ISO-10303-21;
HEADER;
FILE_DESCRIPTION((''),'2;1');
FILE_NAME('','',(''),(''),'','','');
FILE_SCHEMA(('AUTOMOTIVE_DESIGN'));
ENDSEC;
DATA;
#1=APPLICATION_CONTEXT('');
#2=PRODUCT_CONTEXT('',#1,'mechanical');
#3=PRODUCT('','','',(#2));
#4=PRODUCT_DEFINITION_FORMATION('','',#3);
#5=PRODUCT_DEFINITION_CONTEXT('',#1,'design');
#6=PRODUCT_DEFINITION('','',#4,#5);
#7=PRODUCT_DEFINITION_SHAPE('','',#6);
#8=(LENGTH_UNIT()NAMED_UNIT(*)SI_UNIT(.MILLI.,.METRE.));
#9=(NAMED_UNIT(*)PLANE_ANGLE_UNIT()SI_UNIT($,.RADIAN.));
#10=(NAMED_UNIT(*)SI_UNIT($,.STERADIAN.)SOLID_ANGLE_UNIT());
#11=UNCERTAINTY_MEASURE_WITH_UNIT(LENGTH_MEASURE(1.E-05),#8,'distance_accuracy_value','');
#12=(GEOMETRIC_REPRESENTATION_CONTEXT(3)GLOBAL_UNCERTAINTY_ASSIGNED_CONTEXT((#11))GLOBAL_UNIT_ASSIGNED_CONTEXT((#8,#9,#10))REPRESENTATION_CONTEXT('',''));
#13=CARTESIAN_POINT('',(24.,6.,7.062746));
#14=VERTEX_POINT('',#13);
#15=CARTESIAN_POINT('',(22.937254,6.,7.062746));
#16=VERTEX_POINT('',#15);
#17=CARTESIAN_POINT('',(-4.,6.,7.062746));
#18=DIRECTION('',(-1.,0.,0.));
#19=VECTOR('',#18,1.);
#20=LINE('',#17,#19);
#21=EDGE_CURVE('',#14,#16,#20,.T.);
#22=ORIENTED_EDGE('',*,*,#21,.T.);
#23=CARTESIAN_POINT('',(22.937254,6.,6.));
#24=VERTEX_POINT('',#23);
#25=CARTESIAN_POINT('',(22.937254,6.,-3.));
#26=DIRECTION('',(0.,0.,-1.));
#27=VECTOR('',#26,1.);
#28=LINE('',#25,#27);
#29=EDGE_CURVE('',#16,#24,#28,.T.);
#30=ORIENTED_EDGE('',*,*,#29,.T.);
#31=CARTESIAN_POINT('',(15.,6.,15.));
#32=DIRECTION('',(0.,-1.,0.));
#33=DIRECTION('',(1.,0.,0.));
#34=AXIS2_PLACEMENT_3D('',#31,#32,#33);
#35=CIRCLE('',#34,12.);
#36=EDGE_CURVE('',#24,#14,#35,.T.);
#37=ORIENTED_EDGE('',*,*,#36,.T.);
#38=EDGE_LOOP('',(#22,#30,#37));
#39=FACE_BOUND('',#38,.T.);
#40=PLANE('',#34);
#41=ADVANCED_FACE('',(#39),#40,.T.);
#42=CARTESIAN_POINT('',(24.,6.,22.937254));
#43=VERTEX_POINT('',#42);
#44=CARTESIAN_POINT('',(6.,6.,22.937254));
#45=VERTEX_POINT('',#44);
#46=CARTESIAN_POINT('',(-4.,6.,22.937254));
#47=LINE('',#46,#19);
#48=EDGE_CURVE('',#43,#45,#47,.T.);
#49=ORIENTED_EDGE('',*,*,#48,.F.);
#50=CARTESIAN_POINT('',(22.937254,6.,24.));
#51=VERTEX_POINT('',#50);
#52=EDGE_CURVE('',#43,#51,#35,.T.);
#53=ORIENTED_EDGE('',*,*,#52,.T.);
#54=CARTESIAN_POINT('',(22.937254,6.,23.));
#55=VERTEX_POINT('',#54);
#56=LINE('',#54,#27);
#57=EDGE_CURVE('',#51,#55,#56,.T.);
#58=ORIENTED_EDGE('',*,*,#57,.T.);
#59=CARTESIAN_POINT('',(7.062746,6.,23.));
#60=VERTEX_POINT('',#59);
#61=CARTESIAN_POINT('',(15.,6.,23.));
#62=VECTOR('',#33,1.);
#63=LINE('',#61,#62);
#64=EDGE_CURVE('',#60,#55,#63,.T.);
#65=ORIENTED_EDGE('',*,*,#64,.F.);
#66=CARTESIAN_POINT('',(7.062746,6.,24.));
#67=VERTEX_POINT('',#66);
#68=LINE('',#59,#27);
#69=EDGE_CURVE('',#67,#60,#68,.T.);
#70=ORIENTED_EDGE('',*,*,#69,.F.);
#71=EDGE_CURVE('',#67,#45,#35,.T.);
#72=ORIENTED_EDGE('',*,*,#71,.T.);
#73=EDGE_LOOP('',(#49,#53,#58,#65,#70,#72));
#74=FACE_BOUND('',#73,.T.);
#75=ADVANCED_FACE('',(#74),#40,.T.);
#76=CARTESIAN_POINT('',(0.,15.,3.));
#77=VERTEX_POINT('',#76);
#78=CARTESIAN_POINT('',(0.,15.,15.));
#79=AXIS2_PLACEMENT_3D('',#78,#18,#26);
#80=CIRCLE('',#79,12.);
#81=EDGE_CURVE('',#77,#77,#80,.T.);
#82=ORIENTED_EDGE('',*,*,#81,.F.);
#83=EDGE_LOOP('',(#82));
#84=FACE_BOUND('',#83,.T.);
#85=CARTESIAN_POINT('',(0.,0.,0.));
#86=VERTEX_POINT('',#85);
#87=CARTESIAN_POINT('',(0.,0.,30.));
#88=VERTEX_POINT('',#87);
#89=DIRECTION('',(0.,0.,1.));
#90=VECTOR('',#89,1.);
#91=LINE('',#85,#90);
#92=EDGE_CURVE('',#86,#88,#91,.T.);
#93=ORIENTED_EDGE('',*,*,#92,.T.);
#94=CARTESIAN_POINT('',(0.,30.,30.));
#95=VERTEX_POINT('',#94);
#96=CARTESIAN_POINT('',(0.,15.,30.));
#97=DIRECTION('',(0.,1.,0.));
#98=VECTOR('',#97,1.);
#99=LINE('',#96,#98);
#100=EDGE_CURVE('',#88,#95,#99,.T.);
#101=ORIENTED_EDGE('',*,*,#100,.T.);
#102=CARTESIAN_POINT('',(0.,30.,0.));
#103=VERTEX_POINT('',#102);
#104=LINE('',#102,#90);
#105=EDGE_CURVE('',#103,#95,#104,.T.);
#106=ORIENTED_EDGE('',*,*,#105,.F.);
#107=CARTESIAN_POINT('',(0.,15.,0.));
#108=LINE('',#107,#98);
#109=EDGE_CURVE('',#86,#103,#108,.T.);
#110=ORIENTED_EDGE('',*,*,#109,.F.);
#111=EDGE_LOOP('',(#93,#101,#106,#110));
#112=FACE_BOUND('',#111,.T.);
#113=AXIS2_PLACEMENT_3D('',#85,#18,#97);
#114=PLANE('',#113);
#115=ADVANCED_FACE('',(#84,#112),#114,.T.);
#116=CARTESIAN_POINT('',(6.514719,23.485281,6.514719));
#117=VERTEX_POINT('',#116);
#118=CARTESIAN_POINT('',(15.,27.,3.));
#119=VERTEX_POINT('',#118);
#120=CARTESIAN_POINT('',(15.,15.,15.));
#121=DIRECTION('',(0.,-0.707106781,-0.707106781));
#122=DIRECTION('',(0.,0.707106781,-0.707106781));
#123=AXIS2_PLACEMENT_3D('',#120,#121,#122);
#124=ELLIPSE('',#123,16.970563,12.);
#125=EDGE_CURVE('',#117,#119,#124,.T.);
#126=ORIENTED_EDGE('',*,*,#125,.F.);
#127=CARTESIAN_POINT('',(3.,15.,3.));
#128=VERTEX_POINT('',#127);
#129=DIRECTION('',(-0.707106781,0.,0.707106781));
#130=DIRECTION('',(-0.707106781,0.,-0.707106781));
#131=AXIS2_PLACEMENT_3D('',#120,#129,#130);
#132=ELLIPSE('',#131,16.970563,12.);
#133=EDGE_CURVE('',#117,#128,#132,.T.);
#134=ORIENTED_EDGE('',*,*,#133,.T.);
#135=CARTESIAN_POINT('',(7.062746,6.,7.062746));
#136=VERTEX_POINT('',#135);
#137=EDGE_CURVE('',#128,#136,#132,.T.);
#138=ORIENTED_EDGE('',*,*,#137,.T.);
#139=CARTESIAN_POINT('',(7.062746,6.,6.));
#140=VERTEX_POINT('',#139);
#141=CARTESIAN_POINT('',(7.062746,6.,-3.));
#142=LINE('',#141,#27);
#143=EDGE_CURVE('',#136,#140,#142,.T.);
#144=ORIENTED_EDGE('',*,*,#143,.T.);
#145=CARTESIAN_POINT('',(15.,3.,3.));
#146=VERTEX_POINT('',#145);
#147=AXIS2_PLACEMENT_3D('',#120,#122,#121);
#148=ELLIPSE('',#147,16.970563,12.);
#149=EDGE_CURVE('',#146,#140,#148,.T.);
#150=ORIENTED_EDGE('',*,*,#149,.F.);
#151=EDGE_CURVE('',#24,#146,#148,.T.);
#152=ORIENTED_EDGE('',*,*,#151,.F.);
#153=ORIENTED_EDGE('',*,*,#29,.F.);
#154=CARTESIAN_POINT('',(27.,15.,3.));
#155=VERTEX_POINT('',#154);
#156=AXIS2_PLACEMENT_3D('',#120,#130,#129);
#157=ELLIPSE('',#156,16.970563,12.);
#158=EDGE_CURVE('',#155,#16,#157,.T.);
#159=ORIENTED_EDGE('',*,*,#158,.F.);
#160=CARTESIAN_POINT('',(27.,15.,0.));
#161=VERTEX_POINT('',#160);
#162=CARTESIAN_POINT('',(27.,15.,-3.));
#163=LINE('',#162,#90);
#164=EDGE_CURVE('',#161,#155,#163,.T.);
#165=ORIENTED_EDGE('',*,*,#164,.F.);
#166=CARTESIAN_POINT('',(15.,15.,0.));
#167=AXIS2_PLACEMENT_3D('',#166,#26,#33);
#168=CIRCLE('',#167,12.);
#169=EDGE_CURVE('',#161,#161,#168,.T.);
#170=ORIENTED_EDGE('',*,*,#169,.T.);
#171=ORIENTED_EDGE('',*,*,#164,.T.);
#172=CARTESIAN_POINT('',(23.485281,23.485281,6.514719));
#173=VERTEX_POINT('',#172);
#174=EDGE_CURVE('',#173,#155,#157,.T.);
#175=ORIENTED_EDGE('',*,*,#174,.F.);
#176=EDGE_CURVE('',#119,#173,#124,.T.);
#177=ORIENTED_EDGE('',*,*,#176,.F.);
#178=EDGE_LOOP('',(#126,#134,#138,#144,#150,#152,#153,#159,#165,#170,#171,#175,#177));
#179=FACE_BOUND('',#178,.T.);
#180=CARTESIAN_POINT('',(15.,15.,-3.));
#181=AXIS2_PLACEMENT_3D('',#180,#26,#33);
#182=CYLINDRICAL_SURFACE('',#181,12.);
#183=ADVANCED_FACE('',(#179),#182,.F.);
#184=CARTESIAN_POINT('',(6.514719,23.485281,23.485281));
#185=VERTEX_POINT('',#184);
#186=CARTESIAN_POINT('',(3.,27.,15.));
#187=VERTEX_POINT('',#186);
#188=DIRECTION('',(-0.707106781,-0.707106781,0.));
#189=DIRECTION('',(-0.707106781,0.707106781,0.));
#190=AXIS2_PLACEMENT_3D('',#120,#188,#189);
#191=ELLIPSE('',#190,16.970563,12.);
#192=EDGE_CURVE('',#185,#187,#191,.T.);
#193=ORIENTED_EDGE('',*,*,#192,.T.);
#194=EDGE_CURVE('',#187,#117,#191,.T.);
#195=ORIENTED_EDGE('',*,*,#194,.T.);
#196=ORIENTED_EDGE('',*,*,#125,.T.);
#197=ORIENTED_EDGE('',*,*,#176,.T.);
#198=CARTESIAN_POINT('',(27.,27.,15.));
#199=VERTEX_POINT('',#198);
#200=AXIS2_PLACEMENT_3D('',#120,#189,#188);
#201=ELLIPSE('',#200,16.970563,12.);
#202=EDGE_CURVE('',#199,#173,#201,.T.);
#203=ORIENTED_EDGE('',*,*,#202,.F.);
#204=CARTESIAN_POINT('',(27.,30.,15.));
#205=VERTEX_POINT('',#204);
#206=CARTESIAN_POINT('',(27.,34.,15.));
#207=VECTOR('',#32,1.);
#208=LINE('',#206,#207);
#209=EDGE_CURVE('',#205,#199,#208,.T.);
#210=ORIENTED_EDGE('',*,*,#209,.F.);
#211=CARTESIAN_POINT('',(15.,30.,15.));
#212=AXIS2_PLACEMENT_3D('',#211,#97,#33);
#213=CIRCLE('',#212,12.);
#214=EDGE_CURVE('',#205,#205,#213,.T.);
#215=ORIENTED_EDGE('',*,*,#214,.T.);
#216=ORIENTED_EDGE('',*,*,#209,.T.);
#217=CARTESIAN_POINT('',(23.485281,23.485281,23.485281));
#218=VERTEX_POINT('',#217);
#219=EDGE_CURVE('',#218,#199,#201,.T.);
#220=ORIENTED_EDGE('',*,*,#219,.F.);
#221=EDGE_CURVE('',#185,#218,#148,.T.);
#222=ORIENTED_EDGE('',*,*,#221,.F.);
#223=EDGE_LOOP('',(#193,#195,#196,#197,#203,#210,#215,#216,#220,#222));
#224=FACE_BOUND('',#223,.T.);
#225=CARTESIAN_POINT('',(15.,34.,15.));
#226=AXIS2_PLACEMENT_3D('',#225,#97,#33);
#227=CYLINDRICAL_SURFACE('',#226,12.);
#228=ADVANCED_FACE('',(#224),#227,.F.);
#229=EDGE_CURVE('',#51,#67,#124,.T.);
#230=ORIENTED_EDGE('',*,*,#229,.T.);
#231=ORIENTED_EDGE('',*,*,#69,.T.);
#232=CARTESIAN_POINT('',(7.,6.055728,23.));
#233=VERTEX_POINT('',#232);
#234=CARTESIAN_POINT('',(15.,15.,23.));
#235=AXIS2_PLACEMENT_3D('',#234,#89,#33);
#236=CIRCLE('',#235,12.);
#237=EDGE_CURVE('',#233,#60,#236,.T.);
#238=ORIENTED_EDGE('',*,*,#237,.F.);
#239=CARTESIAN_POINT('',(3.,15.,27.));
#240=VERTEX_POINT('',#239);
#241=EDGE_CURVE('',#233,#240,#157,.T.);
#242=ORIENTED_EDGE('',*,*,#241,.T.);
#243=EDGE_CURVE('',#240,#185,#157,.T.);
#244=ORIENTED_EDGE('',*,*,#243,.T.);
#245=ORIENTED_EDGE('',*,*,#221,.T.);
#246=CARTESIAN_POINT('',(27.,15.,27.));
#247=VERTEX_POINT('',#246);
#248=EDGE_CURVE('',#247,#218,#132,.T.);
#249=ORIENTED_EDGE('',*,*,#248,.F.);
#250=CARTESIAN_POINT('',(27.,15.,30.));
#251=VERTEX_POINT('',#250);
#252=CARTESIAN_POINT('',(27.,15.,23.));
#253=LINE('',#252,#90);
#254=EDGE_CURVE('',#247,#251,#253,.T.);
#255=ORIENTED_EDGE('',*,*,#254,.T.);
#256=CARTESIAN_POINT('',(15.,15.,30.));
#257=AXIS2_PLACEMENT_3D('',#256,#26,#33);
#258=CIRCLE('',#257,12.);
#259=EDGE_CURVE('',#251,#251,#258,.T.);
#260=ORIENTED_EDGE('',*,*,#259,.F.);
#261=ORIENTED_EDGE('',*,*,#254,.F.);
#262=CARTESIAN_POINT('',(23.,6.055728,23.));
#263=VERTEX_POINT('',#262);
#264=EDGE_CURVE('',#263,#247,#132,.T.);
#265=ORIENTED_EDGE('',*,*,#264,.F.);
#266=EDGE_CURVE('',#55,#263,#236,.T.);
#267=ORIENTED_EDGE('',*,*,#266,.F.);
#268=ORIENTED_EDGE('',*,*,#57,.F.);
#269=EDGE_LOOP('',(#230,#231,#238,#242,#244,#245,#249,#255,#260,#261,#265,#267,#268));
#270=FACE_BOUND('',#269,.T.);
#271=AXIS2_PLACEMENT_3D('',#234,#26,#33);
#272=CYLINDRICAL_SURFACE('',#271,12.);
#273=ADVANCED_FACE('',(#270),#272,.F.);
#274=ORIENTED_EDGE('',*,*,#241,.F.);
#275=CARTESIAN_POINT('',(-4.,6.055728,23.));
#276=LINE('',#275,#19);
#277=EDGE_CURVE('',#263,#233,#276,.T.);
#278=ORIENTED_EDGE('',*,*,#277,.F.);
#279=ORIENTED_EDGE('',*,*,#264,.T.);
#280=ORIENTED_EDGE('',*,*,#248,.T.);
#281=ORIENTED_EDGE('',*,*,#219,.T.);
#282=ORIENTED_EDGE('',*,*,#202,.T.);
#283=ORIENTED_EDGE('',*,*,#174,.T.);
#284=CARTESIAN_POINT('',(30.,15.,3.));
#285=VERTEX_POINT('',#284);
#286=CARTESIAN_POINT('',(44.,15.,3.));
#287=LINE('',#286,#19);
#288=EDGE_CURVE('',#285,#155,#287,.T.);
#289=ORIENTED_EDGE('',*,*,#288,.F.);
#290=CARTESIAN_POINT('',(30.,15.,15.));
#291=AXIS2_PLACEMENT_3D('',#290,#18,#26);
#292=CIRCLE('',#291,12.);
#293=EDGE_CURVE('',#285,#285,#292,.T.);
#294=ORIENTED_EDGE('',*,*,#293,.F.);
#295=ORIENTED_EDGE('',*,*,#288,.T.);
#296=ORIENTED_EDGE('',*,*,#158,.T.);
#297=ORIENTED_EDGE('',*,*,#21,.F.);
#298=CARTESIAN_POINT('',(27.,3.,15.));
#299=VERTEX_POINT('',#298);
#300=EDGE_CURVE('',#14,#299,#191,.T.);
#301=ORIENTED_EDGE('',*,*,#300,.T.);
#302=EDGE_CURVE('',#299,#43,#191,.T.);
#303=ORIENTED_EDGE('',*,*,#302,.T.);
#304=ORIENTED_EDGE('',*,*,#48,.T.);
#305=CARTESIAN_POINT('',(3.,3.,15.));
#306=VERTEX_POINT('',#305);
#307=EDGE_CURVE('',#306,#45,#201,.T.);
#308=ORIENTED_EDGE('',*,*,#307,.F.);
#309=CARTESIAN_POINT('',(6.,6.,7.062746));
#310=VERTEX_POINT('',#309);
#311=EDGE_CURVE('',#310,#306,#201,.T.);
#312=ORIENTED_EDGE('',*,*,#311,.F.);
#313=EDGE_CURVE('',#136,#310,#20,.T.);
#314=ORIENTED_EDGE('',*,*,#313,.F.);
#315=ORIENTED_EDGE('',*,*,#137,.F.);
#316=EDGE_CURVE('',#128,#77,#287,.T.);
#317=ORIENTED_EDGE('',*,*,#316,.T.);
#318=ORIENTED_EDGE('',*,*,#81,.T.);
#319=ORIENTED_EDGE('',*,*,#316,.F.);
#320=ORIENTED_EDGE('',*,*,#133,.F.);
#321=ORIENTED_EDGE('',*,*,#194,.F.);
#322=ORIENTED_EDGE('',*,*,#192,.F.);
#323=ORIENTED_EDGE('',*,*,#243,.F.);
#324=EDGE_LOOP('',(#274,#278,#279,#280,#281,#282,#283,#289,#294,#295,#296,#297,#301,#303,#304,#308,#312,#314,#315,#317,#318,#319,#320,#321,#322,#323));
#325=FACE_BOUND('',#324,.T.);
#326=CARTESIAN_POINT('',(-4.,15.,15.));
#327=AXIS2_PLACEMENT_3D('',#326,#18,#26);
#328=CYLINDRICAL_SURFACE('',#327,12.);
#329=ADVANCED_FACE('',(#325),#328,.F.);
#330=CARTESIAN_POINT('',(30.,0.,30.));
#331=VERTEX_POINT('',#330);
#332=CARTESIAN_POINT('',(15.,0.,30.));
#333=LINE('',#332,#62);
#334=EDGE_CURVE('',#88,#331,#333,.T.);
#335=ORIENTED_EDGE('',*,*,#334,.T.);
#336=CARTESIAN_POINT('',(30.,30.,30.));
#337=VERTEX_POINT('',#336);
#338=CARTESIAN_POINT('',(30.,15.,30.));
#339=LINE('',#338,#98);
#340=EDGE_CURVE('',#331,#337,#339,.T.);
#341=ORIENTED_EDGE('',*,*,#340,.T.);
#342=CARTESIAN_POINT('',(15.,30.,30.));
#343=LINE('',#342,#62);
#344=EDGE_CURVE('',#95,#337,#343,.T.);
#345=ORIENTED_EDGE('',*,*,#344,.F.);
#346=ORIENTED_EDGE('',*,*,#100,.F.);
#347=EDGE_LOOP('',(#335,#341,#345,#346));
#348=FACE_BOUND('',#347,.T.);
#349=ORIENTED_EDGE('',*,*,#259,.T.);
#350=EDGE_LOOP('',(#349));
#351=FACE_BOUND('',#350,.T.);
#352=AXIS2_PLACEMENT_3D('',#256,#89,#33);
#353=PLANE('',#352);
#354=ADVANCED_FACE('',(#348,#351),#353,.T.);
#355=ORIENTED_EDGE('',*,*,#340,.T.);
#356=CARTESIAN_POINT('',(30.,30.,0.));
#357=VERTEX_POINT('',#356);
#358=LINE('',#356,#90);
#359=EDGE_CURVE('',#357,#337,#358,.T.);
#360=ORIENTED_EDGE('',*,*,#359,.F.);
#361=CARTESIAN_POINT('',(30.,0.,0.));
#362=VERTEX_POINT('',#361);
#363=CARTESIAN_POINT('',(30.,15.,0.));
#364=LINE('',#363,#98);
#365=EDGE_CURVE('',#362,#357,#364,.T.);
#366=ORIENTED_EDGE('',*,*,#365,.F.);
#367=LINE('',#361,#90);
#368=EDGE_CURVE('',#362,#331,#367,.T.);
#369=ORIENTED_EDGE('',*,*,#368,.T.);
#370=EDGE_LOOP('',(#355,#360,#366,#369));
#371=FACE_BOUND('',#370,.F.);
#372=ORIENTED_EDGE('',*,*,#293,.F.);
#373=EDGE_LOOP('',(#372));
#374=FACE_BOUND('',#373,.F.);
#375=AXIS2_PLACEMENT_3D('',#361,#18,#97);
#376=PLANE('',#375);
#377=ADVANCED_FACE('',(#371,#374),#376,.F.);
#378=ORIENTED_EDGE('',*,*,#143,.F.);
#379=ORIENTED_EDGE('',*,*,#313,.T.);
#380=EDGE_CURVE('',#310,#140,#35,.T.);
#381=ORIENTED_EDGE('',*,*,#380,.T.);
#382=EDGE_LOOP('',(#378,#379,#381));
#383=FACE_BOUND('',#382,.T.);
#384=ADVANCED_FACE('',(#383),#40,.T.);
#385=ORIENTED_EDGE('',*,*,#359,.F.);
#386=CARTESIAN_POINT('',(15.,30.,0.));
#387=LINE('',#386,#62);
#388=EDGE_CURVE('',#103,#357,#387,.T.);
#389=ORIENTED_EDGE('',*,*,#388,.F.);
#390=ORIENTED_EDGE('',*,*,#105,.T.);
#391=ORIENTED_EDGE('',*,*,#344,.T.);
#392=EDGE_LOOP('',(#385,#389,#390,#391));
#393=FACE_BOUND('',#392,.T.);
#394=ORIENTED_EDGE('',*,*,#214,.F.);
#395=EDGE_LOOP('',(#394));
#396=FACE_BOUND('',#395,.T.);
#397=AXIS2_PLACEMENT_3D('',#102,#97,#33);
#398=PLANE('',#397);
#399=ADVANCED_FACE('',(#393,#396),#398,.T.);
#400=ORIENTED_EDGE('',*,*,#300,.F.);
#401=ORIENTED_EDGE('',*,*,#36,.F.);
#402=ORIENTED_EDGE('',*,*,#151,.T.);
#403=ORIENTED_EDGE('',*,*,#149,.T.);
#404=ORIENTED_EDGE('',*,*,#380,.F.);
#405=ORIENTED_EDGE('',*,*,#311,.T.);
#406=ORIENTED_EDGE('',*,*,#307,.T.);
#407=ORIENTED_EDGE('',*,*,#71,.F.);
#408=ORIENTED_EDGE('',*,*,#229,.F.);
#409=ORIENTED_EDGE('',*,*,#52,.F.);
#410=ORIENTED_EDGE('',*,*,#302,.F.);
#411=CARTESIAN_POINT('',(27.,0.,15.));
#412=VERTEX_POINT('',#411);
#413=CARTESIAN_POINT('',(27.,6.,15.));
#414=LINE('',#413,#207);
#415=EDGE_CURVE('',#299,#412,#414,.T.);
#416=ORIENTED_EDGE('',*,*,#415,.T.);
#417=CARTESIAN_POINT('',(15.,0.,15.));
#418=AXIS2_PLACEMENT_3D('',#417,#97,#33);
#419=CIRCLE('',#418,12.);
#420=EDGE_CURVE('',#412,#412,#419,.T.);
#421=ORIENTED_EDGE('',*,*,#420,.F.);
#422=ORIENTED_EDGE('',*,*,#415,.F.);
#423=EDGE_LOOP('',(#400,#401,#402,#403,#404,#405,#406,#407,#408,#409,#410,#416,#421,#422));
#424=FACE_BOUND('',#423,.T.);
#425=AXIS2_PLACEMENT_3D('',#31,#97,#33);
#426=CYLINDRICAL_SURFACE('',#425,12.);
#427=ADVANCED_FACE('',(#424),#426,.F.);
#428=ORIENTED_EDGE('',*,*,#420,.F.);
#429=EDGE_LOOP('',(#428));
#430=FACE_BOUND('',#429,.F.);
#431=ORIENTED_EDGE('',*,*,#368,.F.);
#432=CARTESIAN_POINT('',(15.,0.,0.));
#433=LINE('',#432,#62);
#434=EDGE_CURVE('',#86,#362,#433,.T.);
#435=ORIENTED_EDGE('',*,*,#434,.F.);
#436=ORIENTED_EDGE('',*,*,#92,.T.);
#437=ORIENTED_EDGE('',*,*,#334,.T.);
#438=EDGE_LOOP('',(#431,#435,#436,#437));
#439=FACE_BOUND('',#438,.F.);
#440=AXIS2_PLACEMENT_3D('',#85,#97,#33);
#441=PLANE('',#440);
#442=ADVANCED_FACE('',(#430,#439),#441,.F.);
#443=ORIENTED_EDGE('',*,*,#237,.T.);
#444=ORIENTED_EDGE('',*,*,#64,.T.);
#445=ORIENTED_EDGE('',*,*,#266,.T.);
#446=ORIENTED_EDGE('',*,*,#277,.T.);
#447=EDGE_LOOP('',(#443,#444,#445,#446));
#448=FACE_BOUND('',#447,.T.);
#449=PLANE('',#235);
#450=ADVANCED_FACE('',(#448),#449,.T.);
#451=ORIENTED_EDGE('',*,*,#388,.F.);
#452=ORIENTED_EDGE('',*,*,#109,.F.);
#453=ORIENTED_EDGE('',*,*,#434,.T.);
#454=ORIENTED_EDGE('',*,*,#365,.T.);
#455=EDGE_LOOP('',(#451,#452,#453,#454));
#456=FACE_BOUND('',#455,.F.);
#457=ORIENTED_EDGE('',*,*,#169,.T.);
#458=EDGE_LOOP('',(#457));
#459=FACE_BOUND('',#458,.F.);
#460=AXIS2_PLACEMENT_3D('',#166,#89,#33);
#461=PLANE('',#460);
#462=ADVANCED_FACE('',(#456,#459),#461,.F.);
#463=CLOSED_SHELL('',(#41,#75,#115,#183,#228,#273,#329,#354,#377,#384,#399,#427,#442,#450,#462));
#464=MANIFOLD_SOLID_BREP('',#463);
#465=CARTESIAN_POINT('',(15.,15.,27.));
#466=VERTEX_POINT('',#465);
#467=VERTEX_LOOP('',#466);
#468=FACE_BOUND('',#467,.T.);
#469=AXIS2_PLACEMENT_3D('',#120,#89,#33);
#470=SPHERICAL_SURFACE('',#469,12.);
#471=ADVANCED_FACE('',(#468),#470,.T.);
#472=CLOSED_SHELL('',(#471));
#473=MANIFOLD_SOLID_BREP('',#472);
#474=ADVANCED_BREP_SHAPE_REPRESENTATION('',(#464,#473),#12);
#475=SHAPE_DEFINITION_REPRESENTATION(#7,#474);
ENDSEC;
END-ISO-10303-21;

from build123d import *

# Parameters (mm, degrees)
CYLINDER001_R     = 12
CYLINDER001_DEPTH = 30
CYLINDER002_R     = 12
CYLINDER002_DEPTH = 20
CYLINDER003_R     = 12
CYLINDER003_DEPTH = 20
CYLINDER004_R     = 12
CYLINDER004_DEPTH = 20
CYLINDER005_R     = 12
CYLINDER005_DEPTH = 20
CYLINDER_R        = 12
CYLINDER_DEPTH    = 20
BOX_W             = 30
BOX_H             = 30
BOX_DEPTH         = 30


with BuildPart() as cylinder001:
    # Cylinder001 → Cylinder001 (new body)
    with BuildSketch(Plane(origin=(-4, 15, 15), x_dir=(0, 0, -1), z_dir=(1, 0, 0))):
        Circle(CYLINDER001_R)
    extrude(amount=CYLINDER001_DEPTH)


with BuildPart() as cylinder002:
    # Cylinder002 → Cylinder002 (new body)
    with BuildSketch(Plane(origin=(15, 15, 23), x_dir=(1, 0, 0), z_dir=(0, 0, 1))):
        Circle(CYLINDER002_R)
    extrude(amount=CYLINDER002_DEPTH)


with BuildPart() as cylinder003:
    # Cylinder003 → Cylinder003 (new body)
    with BuildSketch(Plane(origin=(15, 15, -3), x_dir=(1, 0, 0), z_dir=(0, 0, 1))):
        Circle(CYLINDER003_R)
    extrude(amount=CYLINDER003_DEPTH)


with BuildPart() as cylinder004:
    # Cylinder004 → Cylinder004 (new body)
    with BuildSketch(Plane(origin=(15, 6, 15), x_dir=(1, 0, 0), z_dir=(0, -1, 0))):
        Circle(CYLINDER004_R)
    extrude(amount=CYLINDER004_DEPTH)


with BuildPart() as cylinder005:
    # Cylinder005 → Cylinder005 (new body)
    with BuildSketch(Plane(origin=(15, 34, 15), x_dir=(1, 0, 0), z_dir=(0, -1, 0))):
        Circle(CYLINDER005_R)
    extrude(amount=CYLINDER005_DEPTH)


with BuildPart() as fusion:
    # Cylinder → Cylinder (new body)
    with BuildSketch(Plane(origin=(24, 15, 15), x_dir=(0, 0, -1), z_dir=(1, 0, 0))):
        Circle(CYLINDER_R)
    extrude(amount=CYLINDER_DEPTH)

    # Fusion: union Cylinder001, Cylinder002, Cylinder003, Cylinder004, Cylinder005
    add(cylinder001.part)
    add(cylinder002.part)
    add(cylinder003.part)
    add(cylinder004.part)
    add(cylinder005.part)


with BuildPart() as cut:
    # Box → Box (new body)
    with BuildSketch(Plane.XY):
        with Locations((15, 15)):
            Rectangle(BOX_W, BOX_H)
    extrude(amount=BOX_DEPTH)

    # Cut: cut Fusion
    add(fusion.part, mode=Mode.SUBTRACT)


with BuildPart() as sphere:
    # Sphere → Sphere (revolve)
    with BuildSketch(Plane(origin=(15, 15, 15), x_dir=(1, 0, 0), z_dir=(0, -1, 0))):
        with BuildLine():
            ThreePointArc((0, -12), (12, 0), (0, 12))
            Line((0, 12), (0, -12))
        make_face()
    revolve(axis=Axis((15, 15, 15), (0, 0, 1)))


solid = Compound([cut.part, sphere.part])
